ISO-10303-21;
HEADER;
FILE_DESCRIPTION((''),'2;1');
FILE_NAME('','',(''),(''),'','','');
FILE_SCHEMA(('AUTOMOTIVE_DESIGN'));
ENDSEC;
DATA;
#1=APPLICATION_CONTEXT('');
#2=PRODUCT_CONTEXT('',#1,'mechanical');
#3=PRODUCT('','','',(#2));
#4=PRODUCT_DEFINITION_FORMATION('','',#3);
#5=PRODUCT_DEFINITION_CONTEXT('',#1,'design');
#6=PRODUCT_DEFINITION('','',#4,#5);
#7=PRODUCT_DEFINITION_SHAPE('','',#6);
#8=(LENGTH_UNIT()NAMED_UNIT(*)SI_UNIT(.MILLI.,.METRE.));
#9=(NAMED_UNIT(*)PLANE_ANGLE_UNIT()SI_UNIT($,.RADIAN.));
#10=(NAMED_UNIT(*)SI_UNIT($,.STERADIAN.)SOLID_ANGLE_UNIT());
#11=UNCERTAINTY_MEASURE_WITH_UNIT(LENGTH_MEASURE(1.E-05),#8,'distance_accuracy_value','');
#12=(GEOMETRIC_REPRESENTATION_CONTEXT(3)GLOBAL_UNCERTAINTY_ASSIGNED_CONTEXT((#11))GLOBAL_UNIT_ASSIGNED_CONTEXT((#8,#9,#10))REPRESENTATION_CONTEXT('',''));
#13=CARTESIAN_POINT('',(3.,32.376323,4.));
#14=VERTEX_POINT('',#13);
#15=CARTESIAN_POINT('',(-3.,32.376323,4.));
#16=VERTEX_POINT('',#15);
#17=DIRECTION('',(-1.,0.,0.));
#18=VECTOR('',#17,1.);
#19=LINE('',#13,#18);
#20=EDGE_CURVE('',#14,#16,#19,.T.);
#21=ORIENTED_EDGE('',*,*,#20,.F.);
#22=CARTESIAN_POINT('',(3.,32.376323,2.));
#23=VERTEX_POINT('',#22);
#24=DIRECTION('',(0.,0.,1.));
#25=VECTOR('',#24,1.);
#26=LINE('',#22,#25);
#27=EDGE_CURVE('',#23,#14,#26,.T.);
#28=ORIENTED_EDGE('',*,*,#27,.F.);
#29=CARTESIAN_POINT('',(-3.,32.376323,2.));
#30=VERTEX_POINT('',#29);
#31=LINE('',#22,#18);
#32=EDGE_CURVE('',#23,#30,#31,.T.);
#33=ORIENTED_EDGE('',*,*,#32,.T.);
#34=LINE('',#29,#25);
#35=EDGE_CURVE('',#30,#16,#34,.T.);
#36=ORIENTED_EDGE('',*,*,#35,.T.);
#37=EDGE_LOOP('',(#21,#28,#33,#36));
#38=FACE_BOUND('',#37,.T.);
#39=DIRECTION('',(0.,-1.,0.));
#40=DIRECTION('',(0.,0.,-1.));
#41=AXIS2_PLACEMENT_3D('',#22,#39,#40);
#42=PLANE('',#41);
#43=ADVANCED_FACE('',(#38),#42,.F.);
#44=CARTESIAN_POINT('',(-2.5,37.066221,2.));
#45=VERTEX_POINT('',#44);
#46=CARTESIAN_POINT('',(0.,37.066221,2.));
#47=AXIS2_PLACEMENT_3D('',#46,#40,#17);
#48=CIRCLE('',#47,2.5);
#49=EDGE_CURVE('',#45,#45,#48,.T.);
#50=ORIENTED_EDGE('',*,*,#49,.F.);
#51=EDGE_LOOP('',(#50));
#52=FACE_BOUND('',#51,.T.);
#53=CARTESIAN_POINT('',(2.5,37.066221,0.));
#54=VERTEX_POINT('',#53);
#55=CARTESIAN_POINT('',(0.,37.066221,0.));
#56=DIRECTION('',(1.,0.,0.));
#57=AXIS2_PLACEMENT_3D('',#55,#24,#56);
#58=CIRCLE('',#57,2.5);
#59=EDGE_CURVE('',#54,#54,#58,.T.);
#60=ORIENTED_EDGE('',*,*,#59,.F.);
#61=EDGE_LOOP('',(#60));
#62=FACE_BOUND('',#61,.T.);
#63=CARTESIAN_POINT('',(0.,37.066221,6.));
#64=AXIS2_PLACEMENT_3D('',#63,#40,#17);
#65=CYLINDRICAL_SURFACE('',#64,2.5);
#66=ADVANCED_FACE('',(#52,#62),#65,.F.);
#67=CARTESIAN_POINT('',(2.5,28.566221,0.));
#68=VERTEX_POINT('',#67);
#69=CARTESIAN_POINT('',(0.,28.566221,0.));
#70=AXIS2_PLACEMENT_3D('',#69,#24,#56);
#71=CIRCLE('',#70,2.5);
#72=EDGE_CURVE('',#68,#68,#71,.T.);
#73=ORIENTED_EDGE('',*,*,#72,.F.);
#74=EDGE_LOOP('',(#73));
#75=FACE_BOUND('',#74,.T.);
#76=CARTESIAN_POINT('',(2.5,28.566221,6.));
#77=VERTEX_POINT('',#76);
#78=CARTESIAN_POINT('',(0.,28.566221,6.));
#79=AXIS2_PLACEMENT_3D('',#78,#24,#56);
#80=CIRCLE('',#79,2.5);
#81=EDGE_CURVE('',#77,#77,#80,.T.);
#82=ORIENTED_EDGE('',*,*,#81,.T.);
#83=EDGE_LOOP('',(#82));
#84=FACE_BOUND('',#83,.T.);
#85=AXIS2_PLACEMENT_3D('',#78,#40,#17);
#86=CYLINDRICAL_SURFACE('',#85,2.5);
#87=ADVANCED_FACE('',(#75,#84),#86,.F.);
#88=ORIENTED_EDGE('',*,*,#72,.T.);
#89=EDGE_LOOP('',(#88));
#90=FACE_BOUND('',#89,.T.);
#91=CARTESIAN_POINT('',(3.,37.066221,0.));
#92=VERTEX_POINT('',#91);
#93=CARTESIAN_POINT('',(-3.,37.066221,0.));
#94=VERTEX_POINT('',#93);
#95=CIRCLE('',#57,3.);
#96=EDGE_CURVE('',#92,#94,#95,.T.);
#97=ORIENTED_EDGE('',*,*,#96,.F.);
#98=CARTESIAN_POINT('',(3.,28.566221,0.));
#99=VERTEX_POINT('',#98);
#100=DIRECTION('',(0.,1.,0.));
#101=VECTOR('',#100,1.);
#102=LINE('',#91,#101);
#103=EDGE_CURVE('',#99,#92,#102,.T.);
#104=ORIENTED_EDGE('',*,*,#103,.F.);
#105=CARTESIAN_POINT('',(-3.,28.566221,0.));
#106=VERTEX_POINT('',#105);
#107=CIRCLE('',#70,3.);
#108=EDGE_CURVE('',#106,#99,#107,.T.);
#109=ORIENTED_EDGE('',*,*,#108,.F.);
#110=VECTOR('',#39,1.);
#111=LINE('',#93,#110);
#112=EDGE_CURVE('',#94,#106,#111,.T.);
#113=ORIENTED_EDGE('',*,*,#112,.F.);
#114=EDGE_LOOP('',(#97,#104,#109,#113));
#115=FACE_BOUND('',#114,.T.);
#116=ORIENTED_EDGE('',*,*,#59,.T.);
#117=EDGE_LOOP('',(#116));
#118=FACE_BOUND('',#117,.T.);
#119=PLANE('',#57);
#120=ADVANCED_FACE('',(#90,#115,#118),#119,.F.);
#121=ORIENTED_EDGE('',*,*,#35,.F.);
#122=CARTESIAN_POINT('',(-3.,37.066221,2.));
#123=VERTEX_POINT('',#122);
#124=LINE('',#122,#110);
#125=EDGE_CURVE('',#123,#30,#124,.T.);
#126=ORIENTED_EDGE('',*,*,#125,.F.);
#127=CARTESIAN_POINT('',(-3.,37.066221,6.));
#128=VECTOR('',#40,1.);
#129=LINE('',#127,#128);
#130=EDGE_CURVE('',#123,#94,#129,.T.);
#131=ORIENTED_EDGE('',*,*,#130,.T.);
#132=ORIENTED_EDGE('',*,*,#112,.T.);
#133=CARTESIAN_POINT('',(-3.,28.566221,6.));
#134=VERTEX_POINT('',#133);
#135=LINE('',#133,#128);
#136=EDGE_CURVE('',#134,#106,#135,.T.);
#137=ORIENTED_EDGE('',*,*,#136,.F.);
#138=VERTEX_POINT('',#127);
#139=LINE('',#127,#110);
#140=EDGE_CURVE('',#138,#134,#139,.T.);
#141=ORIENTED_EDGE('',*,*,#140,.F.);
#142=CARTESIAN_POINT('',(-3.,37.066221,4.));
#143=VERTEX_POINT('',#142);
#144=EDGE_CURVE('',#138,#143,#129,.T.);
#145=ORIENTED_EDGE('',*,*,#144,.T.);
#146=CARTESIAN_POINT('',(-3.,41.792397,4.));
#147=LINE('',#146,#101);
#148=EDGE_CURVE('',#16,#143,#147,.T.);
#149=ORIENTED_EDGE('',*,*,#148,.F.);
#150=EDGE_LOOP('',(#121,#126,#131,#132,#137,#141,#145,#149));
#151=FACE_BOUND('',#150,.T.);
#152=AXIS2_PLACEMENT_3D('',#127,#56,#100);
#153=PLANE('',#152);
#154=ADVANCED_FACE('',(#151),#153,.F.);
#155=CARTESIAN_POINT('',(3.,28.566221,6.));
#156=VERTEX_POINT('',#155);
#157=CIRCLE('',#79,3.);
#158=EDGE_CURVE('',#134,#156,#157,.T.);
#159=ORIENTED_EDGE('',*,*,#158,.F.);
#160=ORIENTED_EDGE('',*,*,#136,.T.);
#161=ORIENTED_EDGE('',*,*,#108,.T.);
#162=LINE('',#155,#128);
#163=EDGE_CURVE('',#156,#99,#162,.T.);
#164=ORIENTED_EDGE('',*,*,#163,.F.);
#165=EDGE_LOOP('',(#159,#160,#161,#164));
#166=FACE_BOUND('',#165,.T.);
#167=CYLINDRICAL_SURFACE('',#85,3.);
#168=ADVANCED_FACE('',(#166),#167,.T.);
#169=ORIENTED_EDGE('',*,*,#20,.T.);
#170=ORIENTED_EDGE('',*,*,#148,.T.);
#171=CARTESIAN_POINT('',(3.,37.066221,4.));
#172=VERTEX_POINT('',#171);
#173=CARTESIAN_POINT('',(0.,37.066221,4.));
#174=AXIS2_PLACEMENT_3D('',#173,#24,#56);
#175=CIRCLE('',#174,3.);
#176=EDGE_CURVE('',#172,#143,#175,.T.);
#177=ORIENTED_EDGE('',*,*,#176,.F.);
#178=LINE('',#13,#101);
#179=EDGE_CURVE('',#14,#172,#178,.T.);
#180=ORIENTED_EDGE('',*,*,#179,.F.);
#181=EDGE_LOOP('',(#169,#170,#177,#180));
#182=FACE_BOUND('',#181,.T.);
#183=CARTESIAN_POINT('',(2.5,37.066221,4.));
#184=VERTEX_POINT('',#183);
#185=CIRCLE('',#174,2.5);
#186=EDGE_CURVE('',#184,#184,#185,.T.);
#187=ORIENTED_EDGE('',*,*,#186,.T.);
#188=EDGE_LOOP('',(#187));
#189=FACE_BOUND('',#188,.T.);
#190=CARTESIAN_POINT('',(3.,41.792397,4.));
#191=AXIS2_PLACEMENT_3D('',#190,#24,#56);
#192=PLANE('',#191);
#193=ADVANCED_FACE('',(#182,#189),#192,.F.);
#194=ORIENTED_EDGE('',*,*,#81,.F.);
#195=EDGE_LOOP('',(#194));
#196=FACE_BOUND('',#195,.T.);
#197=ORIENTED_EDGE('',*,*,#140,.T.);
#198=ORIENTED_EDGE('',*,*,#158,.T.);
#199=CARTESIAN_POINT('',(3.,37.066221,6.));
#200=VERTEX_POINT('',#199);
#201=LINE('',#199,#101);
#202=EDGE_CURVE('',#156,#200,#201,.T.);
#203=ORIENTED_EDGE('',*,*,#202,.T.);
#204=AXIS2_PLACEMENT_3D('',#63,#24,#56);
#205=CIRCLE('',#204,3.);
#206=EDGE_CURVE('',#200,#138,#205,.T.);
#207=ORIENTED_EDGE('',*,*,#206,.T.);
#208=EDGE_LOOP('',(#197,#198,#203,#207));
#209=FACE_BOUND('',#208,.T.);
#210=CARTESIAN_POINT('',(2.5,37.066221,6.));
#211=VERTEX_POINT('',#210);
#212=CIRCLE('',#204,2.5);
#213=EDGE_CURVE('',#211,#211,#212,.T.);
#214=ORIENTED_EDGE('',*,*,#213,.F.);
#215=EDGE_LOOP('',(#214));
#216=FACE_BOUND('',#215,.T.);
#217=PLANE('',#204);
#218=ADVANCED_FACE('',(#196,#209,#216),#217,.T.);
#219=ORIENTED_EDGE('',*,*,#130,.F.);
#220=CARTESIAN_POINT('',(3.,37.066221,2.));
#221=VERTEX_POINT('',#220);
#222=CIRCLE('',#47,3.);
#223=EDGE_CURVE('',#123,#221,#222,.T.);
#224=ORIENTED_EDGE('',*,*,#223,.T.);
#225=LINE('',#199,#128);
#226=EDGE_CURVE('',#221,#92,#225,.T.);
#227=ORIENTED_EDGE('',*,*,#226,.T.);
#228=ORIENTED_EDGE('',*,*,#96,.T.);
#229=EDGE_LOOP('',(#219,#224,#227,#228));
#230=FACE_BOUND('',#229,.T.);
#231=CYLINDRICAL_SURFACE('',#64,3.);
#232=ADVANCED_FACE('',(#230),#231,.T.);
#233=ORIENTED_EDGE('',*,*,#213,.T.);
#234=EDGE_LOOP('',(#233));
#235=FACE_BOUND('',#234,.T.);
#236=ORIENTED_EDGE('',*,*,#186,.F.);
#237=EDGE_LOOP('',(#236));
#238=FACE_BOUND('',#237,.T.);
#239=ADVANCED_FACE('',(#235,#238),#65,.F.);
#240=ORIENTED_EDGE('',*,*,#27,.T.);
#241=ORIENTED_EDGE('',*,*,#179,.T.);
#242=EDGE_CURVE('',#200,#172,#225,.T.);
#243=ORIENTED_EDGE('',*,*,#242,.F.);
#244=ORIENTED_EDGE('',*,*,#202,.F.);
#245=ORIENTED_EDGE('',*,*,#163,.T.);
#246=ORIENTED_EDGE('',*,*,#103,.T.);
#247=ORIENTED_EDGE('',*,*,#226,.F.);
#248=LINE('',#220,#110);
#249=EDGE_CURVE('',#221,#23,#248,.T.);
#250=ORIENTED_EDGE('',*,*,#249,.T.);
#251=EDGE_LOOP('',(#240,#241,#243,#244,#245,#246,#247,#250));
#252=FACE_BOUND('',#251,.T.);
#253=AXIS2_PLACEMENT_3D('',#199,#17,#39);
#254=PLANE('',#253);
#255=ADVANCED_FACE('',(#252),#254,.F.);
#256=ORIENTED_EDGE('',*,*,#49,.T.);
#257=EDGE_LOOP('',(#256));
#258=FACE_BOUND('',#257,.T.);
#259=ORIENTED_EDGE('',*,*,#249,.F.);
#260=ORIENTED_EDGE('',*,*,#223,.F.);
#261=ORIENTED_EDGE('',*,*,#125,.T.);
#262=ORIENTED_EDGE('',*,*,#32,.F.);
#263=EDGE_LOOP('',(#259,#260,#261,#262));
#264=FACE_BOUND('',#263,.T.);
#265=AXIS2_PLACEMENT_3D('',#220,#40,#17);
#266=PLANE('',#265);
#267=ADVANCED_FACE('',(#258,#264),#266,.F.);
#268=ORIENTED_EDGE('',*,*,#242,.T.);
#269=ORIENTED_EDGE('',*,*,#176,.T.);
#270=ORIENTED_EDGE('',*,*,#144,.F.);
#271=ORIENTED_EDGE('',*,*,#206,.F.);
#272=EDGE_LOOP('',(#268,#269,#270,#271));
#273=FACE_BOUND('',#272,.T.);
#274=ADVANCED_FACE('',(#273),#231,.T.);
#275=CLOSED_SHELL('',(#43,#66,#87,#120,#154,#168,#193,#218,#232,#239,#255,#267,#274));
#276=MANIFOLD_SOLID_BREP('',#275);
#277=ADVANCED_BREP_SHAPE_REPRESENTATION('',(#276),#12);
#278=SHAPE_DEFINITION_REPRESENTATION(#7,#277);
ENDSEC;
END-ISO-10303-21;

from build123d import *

# Parameters (mm, degrees)
SKETCH1_R           = 2.5
BOSS_EXTRUDE1_DEPTH = 6
CUT_EXTRUDE2_DEPTH  = 41.954878106


with BuildPart() as part:
    # Sketch1 → Boss-Extrude1 (new body)
    with BuildSketch(Plane.XY):
        with BuildLine():
            Line((3, 37.066220694), (3, 28.566220694))
            ThreePointArc((3, 28.566220694), (0, 25.566220694), (-3, 28.566220694))
            Line((-3, 28.566220694), (-3, 37.066220694))
            ThreePointArc((-3, 37.066220694), (0, 40.066220694), (3, 37.066220694))
        make_face()
        with Locations((0, 37.066220694)):
            Circle(SKETCH1_R, mode=Mode.SUBTRACT)
        with Locations((0, 28.566220694)):
            Circle(SKETCH1_R, mode=Mode.SUBTRACT)
    extrude(amount=BOSS_EXTRUDE1_DEPTH)

    # Sketch2 → Cut-Extrude2 (cut, through all)
    with BuildSketch(Plane.ZY.offset(3)):
        Polygon((2, 37.066220694), (2, 41.792397486), (4, 41.792397486), (4, 37.066220694), (4, 32.376323295), (2, 32.376323295), align=None)
    extrude(amount=-CUT_EXTRUDE2_DEPTH, mode=Mode.SUBTRACT)


solid = part.part
